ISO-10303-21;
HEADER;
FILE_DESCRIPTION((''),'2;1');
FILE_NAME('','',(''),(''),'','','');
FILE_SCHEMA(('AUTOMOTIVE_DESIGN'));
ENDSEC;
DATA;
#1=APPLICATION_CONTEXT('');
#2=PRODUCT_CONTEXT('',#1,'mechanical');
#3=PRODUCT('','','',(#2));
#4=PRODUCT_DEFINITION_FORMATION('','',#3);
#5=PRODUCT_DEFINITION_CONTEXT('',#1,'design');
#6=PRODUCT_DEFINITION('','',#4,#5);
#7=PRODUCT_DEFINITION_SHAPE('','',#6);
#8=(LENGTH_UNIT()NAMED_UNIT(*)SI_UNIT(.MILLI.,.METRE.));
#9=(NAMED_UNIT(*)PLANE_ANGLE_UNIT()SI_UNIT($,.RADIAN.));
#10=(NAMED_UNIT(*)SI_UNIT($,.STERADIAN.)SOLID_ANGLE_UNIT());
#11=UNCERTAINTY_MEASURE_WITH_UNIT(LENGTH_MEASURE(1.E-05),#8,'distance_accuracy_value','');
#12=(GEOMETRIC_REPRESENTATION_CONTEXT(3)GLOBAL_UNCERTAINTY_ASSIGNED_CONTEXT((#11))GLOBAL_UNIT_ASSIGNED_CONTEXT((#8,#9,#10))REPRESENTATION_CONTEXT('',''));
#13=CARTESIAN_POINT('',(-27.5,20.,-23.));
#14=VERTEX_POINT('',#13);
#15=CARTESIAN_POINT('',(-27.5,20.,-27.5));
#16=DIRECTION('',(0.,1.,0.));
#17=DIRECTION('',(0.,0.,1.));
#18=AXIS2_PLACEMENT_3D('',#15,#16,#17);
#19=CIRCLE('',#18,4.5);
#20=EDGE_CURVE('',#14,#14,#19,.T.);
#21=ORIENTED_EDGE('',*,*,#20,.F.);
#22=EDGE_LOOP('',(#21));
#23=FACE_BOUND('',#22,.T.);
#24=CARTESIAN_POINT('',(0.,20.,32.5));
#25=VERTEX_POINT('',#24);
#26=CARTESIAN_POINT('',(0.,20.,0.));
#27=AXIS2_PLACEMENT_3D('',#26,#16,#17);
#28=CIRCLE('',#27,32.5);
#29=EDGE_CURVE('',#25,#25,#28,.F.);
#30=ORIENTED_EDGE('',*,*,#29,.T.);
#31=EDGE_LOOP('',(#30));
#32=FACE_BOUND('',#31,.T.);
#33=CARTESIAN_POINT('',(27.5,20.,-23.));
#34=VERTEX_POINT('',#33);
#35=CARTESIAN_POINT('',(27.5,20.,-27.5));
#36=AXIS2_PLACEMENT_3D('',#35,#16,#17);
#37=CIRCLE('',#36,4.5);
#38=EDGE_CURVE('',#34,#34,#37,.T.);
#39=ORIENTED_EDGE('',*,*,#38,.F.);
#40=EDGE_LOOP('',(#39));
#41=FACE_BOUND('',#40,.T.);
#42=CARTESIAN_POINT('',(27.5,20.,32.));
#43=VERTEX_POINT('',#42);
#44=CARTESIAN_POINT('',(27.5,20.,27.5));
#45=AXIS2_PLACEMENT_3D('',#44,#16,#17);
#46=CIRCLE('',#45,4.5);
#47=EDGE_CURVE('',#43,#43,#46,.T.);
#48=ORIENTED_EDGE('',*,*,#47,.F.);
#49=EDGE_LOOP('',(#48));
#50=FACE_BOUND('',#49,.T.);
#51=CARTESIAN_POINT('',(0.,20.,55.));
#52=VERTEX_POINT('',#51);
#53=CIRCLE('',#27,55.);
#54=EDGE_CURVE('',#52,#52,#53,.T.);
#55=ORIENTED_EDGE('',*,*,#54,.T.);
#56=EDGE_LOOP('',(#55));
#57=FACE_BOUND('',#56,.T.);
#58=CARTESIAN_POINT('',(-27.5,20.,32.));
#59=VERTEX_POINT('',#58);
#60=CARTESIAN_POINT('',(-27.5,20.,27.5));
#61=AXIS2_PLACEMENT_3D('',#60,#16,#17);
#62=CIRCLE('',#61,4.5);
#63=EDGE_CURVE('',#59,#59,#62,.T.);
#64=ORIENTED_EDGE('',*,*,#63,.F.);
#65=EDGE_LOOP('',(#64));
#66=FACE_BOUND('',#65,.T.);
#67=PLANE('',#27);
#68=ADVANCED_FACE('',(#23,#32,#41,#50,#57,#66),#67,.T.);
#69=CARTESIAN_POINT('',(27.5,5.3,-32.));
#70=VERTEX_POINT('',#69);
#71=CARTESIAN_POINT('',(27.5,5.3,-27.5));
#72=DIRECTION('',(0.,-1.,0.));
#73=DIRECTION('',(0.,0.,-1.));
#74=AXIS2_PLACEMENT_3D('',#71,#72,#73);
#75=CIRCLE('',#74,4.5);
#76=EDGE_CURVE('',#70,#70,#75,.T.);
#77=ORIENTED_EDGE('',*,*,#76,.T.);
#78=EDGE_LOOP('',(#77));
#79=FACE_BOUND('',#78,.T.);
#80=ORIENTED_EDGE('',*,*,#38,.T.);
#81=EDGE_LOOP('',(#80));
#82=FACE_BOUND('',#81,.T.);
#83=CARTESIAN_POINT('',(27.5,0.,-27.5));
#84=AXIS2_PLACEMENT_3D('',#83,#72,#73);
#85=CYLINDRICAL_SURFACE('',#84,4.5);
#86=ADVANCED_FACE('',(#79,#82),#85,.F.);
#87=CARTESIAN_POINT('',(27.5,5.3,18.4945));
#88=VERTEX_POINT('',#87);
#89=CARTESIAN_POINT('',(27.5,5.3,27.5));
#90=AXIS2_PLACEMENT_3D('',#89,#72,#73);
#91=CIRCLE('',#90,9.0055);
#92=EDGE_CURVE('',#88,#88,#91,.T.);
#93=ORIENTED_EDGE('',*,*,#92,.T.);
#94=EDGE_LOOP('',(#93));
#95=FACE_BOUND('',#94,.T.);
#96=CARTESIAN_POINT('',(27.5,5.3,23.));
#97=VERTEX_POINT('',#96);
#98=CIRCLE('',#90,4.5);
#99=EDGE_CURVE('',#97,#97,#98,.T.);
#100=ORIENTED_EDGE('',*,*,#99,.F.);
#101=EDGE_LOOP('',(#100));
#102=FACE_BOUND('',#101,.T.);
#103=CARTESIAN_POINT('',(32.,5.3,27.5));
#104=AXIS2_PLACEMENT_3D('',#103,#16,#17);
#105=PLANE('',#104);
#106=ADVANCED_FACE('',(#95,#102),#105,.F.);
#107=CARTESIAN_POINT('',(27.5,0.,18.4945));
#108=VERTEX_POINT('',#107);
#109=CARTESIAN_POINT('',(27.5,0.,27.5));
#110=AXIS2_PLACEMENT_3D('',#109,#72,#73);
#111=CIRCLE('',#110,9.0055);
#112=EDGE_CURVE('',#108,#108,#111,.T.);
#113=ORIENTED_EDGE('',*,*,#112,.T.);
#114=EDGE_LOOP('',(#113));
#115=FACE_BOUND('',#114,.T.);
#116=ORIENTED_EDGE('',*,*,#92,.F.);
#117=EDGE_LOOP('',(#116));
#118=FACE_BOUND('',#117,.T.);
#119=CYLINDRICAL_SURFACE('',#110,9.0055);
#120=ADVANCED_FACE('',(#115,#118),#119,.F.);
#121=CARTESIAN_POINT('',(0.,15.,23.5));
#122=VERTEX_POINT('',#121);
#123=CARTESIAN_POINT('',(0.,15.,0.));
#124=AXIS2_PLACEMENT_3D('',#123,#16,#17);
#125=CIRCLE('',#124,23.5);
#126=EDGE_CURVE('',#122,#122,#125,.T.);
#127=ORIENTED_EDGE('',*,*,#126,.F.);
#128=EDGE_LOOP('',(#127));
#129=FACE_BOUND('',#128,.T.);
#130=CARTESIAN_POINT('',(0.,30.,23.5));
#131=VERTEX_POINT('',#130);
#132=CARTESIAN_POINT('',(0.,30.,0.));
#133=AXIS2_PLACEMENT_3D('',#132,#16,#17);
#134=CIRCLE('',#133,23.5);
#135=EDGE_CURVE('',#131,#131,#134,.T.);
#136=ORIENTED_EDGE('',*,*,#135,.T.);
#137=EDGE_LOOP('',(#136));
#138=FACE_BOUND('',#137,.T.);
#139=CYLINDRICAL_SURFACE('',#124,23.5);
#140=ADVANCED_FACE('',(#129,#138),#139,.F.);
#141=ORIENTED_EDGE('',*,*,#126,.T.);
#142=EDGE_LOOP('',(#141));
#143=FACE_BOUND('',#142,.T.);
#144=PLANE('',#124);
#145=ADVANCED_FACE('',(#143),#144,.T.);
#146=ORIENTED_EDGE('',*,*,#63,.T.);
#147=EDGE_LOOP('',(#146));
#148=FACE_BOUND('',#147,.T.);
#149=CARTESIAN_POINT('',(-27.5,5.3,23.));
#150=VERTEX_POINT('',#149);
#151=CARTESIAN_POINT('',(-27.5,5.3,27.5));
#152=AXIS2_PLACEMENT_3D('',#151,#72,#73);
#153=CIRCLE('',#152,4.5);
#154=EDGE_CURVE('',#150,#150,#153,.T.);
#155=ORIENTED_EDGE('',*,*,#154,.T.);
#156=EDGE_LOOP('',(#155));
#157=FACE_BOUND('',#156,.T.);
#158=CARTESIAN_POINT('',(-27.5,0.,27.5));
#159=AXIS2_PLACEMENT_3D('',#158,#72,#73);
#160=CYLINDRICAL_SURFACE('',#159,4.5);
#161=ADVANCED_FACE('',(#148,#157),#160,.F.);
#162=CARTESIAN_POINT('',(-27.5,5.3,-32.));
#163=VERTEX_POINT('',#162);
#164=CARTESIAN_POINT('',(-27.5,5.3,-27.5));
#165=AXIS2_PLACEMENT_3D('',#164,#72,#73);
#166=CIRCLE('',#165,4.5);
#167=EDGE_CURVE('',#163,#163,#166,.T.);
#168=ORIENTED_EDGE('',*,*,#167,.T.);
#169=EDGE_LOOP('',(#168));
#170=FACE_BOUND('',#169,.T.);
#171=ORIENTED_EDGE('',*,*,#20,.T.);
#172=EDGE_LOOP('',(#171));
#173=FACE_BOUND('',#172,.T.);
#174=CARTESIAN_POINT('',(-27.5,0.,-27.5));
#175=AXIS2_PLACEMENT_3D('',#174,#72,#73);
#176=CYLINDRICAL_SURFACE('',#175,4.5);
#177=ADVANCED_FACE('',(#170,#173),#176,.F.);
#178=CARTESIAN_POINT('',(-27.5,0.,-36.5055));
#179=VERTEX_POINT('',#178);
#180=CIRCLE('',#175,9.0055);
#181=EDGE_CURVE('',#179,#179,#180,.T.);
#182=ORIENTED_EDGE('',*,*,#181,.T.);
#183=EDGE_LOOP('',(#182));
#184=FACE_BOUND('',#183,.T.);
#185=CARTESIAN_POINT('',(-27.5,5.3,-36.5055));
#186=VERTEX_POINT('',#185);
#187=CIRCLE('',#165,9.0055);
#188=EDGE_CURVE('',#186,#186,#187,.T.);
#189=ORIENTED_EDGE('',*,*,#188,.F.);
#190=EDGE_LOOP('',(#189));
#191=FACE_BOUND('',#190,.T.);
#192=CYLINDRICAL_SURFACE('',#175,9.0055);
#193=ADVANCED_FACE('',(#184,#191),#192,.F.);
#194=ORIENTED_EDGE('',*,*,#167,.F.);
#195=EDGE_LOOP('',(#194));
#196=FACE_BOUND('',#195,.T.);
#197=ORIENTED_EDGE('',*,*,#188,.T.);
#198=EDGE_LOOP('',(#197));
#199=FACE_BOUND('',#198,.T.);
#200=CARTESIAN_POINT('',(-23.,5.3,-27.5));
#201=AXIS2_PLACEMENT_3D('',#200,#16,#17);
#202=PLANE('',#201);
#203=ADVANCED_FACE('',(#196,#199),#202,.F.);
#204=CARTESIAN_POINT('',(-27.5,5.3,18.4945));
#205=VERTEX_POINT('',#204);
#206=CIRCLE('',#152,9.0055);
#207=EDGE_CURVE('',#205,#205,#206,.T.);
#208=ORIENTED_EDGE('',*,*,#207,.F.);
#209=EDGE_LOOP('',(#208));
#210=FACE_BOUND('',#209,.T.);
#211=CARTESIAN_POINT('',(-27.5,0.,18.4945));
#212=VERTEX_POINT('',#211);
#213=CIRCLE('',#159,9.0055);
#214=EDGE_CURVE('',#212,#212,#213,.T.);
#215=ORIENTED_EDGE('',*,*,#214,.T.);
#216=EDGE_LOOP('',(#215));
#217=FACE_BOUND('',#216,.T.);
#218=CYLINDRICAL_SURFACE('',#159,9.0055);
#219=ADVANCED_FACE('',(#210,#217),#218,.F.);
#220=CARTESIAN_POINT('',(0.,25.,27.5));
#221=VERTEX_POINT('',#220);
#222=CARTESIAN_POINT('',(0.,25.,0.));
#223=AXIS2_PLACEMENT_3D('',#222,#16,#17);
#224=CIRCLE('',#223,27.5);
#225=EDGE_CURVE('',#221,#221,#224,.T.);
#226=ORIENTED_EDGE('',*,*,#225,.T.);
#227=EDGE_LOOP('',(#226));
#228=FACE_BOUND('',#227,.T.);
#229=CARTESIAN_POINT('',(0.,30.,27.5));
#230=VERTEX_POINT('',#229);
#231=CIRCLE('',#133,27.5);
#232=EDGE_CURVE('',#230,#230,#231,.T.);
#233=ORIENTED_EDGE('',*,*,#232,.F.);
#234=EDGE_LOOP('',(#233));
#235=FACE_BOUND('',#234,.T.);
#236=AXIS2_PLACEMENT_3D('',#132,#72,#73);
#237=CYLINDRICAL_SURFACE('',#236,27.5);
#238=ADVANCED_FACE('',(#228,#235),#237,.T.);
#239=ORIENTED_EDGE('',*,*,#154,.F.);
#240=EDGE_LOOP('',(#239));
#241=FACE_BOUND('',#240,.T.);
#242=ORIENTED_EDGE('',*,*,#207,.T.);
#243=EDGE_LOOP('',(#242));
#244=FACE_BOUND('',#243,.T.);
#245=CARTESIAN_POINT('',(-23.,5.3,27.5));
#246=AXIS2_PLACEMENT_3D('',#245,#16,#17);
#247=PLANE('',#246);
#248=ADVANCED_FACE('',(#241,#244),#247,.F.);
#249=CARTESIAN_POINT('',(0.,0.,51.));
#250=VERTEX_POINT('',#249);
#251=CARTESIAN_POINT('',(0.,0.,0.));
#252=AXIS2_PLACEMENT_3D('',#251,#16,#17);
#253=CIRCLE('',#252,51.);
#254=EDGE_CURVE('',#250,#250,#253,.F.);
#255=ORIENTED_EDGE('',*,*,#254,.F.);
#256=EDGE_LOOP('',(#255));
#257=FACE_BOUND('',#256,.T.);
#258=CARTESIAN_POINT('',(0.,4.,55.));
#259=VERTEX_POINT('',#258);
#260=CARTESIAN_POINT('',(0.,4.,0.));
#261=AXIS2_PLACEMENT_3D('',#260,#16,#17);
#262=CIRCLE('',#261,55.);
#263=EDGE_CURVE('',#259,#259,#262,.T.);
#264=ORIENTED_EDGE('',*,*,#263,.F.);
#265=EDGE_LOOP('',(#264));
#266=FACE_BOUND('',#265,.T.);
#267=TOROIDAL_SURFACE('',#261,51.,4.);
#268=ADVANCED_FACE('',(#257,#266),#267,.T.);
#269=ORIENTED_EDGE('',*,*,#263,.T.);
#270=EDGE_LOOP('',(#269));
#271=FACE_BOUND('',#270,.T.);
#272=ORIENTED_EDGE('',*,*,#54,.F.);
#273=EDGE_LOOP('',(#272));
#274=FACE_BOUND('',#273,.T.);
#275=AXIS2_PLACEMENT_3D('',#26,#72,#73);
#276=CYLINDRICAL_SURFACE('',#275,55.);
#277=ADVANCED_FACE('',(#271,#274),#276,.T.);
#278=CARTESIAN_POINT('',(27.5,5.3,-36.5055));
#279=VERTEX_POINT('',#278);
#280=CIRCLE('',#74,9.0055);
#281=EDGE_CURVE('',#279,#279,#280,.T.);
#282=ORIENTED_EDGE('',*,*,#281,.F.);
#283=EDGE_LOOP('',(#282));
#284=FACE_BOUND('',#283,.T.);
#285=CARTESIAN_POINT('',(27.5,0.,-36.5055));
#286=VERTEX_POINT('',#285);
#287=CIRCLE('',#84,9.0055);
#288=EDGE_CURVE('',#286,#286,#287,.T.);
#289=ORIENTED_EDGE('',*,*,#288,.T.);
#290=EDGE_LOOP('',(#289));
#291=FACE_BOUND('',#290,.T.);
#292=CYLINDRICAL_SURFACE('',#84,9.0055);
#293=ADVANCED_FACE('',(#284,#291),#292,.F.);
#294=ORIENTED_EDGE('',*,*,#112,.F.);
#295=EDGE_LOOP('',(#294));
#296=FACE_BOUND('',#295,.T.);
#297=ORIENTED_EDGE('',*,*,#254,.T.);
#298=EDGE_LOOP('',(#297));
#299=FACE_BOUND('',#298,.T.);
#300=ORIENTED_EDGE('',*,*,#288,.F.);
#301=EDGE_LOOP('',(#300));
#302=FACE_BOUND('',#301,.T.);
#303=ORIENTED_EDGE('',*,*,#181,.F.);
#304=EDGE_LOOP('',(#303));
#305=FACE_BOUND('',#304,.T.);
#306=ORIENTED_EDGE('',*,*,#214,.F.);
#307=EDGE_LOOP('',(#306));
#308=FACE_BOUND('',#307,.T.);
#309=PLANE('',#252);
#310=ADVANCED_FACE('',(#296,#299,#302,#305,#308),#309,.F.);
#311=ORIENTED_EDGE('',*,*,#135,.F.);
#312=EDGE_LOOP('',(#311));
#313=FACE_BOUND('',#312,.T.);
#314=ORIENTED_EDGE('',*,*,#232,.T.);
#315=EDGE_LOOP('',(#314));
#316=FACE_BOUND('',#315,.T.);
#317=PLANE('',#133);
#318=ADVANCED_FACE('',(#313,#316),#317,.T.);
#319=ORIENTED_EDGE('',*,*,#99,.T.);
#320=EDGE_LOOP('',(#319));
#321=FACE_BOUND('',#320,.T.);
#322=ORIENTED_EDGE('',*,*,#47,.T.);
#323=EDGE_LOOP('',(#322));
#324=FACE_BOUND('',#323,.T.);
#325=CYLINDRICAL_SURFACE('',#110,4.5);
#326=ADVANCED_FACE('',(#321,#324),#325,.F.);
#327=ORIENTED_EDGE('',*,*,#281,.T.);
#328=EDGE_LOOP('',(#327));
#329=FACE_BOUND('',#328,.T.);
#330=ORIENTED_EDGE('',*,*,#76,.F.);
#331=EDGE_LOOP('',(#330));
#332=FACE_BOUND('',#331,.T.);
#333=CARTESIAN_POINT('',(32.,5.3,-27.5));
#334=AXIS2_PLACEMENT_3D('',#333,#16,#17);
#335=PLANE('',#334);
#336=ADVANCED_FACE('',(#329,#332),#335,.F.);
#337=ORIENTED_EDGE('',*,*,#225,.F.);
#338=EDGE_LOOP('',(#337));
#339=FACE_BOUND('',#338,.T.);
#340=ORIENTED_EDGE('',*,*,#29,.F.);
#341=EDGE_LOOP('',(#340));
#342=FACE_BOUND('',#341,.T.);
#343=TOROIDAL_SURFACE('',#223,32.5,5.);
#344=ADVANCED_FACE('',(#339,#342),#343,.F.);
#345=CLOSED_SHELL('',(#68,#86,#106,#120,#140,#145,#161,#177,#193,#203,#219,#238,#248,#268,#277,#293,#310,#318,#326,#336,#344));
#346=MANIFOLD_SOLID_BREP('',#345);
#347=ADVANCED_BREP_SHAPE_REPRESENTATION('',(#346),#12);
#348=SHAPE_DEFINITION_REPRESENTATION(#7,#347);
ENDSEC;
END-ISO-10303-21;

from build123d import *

# Parameters (mm, degrees)
SKETCH1_R                               = 55
BOSS_EXTRUDE1_DEPTH                     = 20
SKETCH2_R                               = 27.5
BOSS_EXTRUDE2_DEPTH                     = 10
SKETCH6_R                               = 23.5
CUT_EXTRUDE1_DEPTH                      = 15
FILLET1_R                               = 5
CBORE_FOR_M8_HEX_HEAD_BOLT1_D           = 9
CBORE_FOR_M8_HEX_HEAD_BOLT1_CBORE_D     = 18.011
CBORE_FOR_M8_HEX_HEAD_BOLT1_CBORE_DEPTH = 5.3
FILLET2_R                               = 4


with BuildPart() as part:
    # Sketch1 → Boss-Extrude1 (new body)
    with BuildSketch(Plane(origin=(0, 0, 0), x_dir=(1, 0, 0), z_dir=(0, 1, 0))):
        with Locations(Location((0, 0, 0), (0, 0, 270))):
            Circle(SKETCH1_R)
    extrude(amount=BOSS_EXTRUDE1_DEPTH)

    # Sketch2 → Boss-Extrude2 (add)
    with BuildSketch(Plane(origin=(0, 20, 0), x_dir=(1, 0, 0), z_dir=(0, 1, 0))):
        with Locations(Location((0, 0, 0), (0, 0, 270))):
            Circle(SKETCH2_R)
    extrude(amount=BOSS_EXTRUDE2_DEPTH)

    # Sketch6 → Cut-Extrude1 (cut)
    with BuildSketch(Plane(origin=(0, 30, 0), x_dir=(1, 0, 0), z_dir=(0, 1, 0))):
        with Locations(Location((0, 0, 0), (0, 0, 270))):
            Circle(SKETCH6_R)
    extrude(amount=-CUT_EXTRUDE1_DEPTH, mode=Mode.SUBTRACT)

    # Fillet1
    fillet1_edges = [part.edges().sort_by_distance(p)[0] for p in [
        (0, 20, -27.5),
    ]]
    fillet(fillet1_edges, radius=FILLET1_R)

    # CBORE for M8 Hex Head Bolt1 (through all)
    with Locations(Plane(origin=(27.5, 0, -27.5), x_dir=(0, 0, -1), z_dir=(0, -1, 0))):
        with Locations((0, 0), (0, -55), (-55, -55), (-55, 0)):
            CounterBoreHole(CBORE_FOR_M8_HEX_HEAD_BOLT1_D / 2, CBORE_FOR_M8_HEX_HEAD_BOLT1_CBORE_D / 2, CBORE_FOR_M8_HEX_HEAD_BOLT1_CBORE_DEPTH)

    # Fillet2
    fillet2_edges = [part.edges().sort_by_distance(p)[0] for p in [
        (0, 0, -55),
    ]]
    fillet(fillet2_edges, radius=FILLET2_R)


solid = part.part
